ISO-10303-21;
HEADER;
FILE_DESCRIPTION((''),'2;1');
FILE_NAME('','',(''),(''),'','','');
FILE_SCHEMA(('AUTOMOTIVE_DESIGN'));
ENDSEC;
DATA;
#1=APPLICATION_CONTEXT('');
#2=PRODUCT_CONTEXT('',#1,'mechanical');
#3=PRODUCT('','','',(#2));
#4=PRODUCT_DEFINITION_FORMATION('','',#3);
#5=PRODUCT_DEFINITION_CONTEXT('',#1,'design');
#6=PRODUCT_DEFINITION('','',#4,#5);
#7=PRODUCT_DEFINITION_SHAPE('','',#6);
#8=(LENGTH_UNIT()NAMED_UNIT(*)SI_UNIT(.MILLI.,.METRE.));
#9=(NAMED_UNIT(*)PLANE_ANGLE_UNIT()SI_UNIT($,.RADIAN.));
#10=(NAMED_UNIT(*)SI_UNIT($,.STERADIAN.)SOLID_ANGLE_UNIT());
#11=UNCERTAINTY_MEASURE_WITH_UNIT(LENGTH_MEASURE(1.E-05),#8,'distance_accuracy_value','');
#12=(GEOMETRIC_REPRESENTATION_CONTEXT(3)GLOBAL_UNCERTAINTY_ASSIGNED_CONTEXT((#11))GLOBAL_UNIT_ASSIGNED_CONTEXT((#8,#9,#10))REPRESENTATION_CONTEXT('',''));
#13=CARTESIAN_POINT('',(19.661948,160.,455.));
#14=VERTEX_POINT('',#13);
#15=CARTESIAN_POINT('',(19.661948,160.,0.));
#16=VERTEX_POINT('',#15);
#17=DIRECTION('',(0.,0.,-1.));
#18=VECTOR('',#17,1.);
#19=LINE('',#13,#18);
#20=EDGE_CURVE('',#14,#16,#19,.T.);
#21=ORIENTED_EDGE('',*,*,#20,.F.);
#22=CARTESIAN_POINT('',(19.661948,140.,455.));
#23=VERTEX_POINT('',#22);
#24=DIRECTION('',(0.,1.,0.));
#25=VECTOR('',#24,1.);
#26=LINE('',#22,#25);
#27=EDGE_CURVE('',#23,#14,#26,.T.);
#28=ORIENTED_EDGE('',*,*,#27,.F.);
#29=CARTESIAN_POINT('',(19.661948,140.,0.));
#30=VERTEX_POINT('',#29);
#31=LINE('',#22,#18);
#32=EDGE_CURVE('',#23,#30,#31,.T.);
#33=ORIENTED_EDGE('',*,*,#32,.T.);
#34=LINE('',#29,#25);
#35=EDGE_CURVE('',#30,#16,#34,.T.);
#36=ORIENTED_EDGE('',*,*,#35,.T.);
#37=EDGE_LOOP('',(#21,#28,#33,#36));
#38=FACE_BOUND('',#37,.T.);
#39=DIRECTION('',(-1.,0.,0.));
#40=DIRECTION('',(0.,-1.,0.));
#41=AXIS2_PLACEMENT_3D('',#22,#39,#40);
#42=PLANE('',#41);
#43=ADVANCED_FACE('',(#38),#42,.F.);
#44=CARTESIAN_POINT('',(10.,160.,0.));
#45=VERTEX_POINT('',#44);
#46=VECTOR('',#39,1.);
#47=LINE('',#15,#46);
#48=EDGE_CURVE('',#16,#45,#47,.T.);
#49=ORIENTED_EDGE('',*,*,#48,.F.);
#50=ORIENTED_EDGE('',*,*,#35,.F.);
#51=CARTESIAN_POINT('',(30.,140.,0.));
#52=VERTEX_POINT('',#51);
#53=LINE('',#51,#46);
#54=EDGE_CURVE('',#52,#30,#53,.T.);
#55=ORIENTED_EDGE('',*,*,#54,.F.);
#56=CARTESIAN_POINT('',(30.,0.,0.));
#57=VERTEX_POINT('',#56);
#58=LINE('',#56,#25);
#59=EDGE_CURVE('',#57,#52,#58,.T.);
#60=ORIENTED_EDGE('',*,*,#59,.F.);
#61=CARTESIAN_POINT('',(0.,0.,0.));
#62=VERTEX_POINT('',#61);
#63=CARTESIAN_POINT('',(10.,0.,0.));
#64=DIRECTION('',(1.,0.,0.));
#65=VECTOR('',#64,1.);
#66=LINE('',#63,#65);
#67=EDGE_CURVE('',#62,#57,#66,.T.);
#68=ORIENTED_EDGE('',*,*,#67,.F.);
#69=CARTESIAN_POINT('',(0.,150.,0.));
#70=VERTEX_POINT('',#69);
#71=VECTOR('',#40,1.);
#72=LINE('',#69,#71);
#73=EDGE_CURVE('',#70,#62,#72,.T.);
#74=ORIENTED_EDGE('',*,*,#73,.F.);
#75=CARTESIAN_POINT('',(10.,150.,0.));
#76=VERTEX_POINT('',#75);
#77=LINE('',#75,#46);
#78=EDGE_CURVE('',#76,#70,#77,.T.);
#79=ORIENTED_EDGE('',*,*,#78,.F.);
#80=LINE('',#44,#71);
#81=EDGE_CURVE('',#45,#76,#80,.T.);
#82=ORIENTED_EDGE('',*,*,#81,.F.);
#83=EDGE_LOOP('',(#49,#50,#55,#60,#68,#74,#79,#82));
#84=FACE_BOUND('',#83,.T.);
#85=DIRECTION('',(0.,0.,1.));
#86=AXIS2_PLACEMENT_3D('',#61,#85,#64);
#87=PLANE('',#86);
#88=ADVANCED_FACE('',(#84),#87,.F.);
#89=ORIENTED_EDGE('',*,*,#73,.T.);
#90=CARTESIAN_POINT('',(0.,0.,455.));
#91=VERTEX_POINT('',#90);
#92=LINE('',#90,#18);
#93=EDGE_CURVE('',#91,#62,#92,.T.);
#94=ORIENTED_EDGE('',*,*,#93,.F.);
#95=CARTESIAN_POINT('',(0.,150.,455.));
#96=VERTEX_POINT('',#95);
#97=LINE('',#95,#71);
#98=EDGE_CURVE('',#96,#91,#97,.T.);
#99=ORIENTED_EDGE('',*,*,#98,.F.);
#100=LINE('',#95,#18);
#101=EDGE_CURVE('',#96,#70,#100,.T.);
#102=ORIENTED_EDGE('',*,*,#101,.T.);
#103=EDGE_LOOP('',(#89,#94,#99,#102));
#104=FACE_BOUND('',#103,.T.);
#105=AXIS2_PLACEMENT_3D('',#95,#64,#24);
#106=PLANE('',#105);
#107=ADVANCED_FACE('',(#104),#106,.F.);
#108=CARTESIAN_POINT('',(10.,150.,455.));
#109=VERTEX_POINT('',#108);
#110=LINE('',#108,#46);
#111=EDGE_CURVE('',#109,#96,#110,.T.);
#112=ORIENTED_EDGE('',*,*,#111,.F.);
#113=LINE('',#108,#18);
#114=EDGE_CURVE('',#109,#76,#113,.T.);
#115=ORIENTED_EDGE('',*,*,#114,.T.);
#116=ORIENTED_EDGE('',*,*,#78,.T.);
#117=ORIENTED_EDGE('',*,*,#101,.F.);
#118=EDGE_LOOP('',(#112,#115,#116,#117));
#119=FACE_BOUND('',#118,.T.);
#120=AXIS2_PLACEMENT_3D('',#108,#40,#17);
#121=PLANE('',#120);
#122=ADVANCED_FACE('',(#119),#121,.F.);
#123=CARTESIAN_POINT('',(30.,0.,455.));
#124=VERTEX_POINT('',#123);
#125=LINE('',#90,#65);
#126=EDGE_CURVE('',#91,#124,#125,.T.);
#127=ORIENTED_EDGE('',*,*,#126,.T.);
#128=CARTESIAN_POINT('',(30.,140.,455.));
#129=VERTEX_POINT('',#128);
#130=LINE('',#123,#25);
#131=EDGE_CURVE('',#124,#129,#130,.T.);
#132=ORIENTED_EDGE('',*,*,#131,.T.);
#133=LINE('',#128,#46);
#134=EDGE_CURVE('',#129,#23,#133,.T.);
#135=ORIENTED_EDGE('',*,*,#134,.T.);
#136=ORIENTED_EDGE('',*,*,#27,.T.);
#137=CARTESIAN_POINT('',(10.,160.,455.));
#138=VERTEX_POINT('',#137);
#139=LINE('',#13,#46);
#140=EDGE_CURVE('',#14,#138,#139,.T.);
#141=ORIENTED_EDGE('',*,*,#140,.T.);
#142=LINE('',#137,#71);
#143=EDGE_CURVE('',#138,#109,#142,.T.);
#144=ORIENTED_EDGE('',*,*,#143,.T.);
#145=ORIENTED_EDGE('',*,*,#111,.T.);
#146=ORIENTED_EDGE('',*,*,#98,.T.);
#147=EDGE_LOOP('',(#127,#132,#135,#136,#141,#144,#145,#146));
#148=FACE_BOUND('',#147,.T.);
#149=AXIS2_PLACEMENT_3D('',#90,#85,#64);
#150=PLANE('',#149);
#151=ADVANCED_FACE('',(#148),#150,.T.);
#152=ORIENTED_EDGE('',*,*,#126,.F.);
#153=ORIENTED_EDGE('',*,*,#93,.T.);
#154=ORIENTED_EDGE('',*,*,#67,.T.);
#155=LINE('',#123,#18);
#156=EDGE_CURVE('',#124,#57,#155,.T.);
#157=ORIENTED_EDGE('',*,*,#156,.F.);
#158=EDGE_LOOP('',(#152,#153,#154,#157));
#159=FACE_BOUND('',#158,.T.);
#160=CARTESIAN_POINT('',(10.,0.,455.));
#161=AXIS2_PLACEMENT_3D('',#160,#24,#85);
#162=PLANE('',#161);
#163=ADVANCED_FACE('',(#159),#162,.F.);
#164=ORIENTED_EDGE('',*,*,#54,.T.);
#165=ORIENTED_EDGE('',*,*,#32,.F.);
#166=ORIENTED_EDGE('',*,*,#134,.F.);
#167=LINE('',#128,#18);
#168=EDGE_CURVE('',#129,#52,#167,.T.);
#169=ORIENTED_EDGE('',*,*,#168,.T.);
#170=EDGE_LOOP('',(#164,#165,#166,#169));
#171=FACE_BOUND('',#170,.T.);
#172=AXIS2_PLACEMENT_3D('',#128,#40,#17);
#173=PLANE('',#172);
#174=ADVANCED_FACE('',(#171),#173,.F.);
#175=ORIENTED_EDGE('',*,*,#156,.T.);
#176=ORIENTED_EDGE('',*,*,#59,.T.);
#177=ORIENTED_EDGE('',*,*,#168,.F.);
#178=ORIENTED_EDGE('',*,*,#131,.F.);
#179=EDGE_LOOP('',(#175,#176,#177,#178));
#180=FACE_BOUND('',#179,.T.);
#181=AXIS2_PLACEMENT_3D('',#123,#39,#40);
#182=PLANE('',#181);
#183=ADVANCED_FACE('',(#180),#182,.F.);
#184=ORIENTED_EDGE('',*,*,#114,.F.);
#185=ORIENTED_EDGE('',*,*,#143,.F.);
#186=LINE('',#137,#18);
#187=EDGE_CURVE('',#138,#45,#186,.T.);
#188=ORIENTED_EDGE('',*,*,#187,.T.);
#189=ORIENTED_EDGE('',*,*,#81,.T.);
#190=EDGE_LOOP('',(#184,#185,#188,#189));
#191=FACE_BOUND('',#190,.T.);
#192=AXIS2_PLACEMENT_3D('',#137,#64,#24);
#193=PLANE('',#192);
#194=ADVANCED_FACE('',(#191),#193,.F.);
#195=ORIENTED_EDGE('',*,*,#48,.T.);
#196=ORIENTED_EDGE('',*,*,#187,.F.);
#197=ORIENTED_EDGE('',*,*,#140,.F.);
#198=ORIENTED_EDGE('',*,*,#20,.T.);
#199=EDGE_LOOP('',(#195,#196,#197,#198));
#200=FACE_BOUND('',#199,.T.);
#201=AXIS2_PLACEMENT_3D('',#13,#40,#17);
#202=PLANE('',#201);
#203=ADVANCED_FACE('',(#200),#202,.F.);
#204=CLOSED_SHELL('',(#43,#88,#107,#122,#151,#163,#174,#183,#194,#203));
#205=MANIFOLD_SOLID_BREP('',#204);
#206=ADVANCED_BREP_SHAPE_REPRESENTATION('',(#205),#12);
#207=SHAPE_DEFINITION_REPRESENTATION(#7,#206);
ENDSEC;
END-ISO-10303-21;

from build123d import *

# Parameters (mm, degrees)
EXTRUDE_1_DEPTH = 455


with BuildPart() as part:
    # Эскиз1 → Бобышка-Вытянуть1 (new body)
    with BuildSketch(Plane.XY):
        Polygon((0, 0), (10, 0), (30, 0), (30, 140), (19.661947875, 140), (19.661947875, 160), (10, 160), (10, 150), (0, 150), align=None)
    extrude(amount=EXTRUDE_1_DEPTH)


solid = part.part
